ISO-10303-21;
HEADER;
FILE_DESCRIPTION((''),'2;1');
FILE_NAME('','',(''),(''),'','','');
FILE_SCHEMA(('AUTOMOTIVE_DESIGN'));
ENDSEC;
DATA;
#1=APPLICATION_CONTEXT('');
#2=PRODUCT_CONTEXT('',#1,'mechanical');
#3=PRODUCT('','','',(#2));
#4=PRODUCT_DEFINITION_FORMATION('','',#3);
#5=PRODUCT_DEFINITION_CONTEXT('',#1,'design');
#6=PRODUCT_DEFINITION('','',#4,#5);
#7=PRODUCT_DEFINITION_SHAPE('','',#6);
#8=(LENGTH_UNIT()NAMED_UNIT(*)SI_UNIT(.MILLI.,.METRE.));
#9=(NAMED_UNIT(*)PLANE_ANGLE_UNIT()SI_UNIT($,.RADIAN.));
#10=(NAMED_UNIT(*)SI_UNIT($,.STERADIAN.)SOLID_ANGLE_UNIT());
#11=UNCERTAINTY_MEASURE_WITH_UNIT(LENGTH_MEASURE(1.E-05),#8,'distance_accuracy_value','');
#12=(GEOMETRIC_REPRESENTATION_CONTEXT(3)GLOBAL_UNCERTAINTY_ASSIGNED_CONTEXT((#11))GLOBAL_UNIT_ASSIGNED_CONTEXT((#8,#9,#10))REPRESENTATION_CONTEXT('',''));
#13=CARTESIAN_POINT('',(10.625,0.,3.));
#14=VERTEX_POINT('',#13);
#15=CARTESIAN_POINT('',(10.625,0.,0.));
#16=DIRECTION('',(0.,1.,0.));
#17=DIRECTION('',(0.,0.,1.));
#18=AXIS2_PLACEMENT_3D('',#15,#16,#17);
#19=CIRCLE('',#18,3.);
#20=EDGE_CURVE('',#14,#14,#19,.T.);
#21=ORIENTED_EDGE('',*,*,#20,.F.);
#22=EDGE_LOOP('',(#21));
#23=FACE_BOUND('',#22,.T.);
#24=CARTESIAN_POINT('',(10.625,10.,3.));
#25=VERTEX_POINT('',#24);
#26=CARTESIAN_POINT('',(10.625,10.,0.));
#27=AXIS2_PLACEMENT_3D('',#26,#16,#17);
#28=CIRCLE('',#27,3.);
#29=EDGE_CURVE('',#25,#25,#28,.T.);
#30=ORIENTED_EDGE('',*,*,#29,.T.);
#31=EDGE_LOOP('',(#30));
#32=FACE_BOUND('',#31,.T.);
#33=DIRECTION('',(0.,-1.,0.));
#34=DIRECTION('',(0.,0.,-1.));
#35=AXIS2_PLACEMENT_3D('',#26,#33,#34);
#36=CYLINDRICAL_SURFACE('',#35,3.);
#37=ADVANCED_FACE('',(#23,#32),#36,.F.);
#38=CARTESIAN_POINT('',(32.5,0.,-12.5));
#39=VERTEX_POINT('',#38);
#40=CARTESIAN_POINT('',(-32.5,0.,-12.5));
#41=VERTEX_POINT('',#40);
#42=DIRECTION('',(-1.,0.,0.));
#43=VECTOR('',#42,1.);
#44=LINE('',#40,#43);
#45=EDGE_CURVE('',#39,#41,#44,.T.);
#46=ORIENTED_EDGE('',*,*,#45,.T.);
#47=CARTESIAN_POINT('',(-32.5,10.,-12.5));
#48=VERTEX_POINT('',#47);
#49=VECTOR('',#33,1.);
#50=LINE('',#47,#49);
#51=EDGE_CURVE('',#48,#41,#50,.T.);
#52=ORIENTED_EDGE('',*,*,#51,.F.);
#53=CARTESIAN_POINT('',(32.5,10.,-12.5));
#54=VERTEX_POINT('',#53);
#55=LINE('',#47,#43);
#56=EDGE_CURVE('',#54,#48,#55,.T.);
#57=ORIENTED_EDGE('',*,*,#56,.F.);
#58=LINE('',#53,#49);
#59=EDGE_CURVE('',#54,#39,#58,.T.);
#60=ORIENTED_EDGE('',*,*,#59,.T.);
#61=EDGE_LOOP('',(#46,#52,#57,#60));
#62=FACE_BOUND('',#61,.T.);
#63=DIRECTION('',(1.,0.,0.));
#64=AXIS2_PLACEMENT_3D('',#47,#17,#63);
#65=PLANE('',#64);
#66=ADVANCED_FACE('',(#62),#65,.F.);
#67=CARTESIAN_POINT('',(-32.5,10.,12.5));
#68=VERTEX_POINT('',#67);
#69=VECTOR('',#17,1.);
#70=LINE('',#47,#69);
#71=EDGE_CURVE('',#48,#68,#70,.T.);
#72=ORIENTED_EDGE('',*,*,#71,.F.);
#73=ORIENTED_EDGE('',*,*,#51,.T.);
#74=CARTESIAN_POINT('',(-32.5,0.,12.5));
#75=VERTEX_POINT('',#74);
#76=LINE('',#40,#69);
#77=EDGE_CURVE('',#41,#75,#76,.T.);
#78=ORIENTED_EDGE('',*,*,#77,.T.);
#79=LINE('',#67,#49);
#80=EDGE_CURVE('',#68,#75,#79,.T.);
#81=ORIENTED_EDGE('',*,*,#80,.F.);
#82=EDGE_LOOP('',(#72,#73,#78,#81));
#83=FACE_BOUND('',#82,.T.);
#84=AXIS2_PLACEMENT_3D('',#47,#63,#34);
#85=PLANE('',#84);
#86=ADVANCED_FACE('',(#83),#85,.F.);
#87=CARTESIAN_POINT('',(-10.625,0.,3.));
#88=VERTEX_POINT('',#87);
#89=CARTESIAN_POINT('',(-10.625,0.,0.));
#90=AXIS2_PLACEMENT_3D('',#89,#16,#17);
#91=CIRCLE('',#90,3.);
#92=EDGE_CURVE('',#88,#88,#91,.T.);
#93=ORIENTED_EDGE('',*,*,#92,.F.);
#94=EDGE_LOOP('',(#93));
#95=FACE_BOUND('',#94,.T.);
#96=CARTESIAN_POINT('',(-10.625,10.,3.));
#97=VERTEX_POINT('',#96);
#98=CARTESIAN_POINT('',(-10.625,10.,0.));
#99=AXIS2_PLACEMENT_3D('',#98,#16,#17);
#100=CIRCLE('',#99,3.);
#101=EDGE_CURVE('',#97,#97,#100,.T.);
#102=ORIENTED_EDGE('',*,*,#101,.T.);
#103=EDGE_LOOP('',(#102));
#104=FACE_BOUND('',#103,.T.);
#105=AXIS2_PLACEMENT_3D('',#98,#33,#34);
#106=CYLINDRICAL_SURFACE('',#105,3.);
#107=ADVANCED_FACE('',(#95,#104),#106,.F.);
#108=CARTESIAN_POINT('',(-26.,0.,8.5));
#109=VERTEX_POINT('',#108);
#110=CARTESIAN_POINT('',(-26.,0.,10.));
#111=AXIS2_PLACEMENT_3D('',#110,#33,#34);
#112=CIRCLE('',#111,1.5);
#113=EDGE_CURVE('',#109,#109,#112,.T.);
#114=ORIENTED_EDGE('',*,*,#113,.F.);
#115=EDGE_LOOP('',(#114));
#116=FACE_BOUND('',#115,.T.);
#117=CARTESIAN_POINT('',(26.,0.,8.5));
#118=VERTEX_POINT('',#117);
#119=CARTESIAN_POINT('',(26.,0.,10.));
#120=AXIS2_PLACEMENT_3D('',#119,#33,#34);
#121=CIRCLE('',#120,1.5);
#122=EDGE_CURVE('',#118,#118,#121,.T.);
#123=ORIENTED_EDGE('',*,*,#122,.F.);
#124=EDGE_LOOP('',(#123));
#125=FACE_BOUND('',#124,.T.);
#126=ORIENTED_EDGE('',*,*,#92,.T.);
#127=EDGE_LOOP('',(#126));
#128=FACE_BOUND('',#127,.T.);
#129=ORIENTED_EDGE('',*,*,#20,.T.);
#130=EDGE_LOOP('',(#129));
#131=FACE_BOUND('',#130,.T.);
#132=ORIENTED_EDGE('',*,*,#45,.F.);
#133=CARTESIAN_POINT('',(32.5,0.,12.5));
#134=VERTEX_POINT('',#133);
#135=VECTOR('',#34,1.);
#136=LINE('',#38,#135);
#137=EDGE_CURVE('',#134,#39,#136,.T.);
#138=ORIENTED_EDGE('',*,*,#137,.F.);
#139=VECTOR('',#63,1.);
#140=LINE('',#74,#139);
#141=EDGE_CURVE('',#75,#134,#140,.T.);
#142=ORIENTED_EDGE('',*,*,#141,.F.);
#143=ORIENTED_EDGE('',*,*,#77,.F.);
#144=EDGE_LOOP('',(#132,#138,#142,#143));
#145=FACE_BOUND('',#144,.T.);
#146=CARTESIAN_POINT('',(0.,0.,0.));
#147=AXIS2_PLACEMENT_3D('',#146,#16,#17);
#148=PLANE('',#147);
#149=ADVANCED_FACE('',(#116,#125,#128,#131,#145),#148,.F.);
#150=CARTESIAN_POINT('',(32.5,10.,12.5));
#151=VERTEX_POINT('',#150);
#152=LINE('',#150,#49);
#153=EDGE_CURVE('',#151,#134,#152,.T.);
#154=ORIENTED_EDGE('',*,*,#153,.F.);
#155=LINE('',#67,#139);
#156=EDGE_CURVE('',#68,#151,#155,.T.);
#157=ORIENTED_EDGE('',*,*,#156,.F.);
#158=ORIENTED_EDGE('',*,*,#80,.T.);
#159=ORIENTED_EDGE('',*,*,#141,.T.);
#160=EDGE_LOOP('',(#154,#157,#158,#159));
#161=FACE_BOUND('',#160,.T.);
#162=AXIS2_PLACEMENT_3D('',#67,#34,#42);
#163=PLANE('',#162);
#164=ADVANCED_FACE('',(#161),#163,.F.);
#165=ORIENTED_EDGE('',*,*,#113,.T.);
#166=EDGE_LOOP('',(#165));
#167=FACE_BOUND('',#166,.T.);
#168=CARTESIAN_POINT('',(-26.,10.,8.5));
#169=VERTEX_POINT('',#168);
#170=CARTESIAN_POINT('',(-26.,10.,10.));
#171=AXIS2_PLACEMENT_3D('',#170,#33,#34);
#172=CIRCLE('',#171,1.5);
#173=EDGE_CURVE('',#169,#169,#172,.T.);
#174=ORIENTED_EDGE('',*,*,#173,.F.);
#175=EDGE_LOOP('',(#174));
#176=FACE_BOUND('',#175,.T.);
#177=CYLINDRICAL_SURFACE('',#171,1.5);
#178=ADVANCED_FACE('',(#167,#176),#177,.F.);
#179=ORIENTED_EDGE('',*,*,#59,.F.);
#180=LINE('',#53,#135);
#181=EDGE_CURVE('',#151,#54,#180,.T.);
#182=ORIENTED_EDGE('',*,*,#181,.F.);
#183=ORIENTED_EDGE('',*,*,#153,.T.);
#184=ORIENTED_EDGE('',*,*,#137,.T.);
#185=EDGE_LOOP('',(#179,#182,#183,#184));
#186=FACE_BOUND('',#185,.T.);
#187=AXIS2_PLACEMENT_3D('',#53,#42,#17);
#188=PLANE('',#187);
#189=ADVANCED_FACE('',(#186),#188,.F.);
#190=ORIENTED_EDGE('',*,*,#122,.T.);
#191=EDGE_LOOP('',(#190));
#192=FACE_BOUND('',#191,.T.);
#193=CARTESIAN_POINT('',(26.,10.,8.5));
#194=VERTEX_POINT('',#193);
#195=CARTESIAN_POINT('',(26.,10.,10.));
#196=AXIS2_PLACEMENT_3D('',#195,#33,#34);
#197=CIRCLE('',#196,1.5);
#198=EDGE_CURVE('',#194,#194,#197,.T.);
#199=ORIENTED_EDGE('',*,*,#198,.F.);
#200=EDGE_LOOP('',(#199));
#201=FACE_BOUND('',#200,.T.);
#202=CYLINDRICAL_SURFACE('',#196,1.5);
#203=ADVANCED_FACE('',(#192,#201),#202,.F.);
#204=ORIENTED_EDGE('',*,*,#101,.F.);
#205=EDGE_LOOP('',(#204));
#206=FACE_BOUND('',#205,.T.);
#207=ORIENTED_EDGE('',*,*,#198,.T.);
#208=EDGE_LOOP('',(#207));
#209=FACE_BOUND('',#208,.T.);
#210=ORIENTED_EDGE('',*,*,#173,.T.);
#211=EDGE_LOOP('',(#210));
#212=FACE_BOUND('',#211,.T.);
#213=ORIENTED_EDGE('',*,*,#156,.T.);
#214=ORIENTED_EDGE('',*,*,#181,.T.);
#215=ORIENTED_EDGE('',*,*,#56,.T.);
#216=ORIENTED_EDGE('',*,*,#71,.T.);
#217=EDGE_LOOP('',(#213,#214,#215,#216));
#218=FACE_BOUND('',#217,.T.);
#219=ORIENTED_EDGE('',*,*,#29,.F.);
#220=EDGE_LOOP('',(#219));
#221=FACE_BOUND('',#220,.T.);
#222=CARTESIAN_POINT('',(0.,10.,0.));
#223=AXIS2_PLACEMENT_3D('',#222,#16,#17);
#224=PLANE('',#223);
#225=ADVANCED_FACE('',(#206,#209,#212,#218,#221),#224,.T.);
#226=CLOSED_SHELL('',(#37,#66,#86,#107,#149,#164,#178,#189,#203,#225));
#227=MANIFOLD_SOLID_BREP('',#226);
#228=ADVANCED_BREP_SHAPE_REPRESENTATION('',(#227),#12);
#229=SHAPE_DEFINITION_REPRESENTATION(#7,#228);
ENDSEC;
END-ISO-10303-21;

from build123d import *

# Parameters (mm, degrees)
SKETCH_1_W          = 65
SKETCH_1_H          = 25
SKETCH_1_R          = 3
EXTRUDE_1_DEPTH     = 10
SKETCH_2_R          = 1.5
CUT_EXTRUDE_1_DEPTH = 10


with BuildPart() as part:
    # 草图1 → 凸台-拉伸1 (new body)
    with BuildSketch(Plane(origin=(0, 0, 0), x_dir=(1, 0, 0), z_dir=(0, 1, 0))):
        Rectangle(SKETCH_1_W, SKETCH_1_H)
        with Locations(Location((-10.625, 0, 0), (0, 0, 270))):
            Circle(SKETCH_1_R, mode=Mode.SUBTRACT)
        with Locations(Location((10.625, 0, 0), (0, 0, 270))):
            Circle(SKETCH_1_R, mode=Mode.SUBTRACT)
    extrude(amount=EXTRUDE_1_DEPTH)

    # 草图2 → 切除-拉伸1 (cut)
    with BuildSketch(Plane.XZ):
        with Locations(Location((-26, 10, 0), (0, 0, 270))):
            Circle(SKETCH_2_R)
        with Locations(Location((26, 10, 0), (0, 0, 270))):
            Circle(SKETCH_2_R)
    extrude(amount=-CUT_EXTRUDE_1_DEPTH, mode=Mode.SUBTRACT)


solid = part.part
